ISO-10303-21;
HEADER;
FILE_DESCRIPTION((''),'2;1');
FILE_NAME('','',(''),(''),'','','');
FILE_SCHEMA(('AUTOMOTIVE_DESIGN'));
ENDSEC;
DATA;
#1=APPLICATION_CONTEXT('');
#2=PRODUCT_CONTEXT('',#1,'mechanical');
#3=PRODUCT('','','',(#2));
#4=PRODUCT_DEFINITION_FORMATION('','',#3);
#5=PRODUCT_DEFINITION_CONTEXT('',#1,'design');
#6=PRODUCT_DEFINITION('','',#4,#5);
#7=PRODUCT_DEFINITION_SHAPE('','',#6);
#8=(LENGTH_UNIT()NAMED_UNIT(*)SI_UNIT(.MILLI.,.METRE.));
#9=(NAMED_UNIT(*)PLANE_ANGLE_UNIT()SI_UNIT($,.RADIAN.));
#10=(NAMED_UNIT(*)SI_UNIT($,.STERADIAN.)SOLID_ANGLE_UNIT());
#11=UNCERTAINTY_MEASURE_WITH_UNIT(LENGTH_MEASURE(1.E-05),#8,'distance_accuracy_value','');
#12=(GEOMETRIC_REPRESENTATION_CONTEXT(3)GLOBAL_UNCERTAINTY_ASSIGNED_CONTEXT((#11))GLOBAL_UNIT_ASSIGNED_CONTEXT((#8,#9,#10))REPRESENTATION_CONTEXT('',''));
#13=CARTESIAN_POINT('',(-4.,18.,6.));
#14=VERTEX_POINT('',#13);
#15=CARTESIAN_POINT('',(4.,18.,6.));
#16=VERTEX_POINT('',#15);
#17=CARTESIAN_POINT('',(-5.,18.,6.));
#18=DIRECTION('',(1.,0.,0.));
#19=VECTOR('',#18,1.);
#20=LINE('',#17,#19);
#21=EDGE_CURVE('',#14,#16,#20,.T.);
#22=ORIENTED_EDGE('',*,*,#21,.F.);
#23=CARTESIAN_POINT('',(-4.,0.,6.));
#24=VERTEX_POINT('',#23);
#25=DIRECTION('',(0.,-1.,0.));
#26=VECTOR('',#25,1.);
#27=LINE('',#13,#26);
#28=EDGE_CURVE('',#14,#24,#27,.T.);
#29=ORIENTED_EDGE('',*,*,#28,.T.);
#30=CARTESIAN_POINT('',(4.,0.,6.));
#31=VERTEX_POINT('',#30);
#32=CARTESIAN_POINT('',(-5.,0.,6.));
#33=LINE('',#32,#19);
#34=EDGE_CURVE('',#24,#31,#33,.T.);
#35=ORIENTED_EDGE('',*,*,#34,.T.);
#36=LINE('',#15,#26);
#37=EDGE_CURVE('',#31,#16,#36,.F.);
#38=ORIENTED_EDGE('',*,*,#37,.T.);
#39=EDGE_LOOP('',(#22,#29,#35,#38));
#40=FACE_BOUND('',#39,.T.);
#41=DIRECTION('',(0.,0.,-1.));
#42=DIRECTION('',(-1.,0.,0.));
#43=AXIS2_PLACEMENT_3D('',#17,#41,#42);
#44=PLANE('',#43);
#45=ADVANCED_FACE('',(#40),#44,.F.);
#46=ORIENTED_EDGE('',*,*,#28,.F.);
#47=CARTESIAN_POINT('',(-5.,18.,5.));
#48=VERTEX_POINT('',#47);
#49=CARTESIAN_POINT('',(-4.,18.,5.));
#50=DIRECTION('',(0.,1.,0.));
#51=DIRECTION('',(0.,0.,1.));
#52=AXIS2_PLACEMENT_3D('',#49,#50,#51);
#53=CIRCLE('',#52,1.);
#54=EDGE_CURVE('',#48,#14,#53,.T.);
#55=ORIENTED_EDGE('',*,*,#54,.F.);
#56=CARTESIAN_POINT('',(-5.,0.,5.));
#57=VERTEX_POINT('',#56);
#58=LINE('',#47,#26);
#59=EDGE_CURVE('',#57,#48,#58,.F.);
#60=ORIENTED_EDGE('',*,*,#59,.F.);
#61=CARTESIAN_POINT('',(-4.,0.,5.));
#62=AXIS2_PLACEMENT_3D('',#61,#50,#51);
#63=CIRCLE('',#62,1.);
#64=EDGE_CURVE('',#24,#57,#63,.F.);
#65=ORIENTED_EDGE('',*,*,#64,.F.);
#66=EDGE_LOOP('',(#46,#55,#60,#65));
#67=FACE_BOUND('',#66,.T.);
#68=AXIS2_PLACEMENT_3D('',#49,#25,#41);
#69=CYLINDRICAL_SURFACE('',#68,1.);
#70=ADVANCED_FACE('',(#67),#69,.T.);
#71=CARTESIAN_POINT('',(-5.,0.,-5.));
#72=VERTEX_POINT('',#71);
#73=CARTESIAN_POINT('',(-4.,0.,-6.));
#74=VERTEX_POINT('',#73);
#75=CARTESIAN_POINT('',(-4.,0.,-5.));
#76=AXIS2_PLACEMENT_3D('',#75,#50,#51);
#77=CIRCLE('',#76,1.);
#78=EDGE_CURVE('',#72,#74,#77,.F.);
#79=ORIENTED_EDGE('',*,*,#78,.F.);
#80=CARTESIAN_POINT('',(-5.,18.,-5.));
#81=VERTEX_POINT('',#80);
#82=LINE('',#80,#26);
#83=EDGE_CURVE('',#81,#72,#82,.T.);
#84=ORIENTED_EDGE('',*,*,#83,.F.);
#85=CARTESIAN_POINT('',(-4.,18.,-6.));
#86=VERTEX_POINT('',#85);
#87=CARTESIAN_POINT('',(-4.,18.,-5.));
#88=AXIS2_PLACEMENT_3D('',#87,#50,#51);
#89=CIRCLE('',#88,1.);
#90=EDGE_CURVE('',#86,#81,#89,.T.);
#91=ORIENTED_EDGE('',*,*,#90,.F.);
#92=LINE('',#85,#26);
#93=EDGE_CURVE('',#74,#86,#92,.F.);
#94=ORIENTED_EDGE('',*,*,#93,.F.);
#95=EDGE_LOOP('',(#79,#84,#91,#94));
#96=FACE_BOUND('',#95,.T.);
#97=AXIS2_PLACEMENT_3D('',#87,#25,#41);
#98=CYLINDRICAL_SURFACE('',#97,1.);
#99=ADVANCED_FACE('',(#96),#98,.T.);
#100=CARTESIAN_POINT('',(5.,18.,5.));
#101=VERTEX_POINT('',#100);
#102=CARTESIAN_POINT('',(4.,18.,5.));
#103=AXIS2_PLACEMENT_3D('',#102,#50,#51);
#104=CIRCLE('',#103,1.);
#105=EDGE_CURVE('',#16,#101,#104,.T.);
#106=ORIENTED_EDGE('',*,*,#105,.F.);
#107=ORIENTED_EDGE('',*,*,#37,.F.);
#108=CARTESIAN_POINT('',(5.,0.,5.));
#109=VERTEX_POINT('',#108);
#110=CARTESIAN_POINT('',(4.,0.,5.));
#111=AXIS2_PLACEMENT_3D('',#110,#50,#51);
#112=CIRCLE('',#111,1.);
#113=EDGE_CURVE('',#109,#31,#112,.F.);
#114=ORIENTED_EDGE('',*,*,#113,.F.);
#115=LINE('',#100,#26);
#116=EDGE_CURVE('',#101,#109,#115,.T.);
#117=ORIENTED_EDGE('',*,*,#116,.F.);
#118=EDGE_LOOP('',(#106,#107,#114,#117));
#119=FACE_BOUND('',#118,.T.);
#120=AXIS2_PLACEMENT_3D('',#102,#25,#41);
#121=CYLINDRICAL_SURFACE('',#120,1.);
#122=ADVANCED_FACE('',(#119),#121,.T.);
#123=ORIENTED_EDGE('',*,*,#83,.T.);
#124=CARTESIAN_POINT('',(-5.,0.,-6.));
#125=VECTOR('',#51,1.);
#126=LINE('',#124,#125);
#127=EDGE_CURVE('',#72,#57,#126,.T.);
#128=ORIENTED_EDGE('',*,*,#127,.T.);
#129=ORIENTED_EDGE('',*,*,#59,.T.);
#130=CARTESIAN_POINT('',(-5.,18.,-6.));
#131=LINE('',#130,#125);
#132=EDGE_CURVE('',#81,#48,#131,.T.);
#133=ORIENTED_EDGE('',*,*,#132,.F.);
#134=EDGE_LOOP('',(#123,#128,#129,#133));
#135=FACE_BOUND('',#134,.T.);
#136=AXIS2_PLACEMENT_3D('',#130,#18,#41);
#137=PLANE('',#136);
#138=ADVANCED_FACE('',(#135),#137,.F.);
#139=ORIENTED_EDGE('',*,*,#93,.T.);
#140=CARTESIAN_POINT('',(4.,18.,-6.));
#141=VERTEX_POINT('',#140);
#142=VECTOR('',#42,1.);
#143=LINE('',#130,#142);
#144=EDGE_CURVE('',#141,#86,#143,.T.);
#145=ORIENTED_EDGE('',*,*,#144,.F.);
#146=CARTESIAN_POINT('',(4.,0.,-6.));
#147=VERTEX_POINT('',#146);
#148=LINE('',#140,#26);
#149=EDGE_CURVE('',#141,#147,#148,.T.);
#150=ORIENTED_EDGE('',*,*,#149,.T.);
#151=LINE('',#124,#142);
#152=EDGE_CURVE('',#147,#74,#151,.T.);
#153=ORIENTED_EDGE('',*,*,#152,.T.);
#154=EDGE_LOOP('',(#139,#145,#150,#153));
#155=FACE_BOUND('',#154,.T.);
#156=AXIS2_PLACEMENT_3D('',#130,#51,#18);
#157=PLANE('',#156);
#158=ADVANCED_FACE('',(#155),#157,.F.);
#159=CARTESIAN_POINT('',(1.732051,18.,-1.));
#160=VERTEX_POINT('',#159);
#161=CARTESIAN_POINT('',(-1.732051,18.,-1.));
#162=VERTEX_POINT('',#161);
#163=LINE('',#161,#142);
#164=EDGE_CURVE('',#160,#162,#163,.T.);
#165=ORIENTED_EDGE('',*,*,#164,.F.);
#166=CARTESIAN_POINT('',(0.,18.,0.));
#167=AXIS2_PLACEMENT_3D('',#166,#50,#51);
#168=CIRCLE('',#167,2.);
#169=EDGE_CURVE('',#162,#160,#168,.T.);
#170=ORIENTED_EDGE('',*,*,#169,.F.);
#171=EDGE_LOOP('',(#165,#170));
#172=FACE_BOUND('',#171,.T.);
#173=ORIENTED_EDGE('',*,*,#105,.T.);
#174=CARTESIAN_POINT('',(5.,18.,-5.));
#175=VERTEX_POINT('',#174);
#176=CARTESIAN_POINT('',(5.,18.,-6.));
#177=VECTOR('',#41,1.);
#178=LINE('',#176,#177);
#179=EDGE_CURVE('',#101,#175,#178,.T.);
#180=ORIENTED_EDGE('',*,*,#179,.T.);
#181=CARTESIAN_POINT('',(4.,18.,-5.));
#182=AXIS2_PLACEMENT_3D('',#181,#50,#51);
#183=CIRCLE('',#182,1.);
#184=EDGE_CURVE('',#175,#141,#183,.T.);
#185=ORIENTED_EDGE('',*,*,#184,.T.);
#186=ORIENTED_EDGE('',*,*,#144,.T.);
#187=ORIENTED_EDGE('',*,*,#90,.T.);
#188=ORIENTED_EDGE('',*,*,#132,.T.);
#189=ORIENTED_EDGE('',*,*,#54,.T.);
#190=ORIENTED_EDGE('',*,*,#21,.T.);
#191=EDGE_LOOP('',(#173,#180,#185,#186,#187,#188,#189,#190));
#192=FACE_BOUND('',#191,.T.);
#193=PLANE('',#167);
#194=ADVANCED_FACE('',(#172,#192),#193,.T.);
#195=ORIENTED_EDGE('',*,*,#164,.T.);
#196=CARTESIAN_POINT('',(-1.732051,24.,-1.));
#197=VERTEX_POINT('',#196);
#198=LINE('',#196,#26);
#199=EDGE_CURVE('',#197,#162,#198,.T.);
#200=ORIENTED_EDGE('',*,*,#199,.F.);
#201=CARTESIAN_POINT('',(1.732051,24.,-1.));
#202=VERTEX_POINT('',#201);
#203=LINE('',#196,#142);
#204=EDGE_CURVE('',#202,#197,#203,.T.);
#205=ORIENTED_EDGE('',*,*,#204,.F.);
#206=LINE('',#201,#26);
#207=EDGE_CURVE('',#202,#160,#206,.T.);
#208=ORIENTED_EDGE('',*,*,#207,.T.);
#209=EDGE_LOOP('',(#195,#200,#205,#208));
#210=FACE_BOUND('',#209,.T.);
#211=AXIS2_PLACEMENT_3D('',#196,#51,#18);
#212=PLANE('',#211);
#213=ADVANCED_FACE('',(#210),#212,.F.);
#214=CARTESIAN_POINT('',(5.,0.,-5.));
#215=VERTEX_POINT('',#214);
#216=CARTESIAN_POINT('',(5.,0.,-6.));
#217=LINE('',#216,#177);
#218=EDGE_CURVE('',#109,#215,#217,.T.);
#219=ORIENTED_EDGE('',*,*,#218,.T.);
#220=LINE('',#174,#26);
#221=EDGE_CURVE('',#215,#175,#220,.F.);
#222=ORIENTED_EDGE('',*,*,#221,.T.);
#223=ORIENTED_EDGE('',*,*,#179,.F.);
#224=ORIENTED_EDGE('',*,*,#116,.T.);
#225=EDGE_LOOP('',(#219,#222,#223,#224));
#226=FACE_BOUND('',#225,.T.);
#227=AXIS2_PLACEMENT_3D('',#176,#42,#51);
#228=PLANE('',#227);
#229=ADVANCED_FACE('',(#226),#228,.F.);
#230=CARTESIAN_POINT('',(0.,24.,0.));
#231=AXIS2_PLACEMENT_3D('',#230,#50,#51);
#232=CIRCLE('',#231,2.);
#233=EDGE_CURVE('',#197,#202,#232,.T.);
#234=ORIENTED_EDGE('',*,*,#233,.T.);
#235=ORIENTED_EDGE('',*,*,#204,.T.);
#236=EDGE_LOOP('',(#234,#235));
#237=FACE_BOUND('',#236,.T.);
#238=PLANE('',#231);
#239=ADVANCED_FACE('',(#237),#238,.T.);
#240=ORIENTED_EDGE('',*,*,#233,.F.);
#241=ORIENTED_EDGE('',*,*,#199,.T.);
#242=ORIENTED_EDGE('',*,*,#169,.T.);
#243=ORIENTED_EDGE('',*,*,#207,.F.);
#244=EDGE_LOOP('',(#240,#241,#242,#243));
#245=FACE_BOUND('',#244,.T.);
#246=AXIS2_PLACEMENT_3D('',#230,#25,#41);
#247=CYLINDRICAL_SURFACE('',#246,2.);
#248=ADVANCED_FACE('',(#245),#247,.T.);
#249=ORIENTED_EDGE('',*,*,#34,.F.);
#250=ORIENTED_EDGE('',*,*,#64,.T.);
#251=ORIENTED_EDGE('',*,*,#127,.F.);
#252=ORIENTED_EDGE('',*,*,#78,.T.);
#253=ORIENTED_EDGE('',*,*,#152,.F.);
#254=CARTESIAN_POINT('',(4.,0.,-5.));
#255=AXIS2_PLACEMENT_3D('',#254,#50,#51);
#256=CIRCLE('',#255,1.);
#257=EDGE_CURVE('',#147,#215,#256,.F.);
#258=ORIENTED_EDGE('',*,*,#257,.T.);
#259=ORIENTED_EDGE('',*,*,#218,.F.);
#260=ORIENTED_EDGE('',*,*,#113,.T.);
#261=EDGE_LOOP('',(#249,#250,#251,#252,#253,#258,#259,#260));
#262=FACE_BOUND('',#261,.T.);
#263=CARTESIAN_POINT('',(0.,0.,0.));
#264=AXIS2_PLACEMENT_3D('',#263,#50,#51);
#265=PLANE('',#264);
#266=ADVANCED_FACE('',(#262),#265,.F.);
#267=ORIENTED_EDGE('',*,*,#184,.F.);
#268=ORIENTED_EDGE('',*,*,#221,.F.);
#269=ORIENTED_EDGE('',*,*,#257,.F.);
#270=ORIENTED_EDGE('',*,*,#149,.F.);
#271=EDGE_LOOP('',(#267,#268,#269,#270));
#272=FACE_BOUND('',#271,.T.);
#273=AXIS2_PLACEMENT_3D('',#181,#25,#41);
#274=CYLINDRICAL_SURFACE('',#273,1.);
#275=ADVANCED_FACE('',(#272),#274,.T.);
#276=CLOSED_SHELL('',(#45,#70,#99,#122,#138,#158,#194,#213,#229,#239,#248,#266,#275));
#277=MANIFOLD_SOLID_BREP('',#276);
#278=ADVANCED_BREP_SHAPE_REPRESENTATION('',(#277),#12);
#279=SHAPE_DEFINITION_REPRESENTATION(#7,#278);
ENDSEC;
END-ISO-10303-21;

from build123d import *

# Parameters (mm, degrees)
CROQUIS1_W              = 10
CROQUIS1_H              = 12
SALIENTE_EXTRUIR1_DEPTH = 18
SALIENTE_EXTRUIR2_DEPTH = 6
REDONDEO1_R             = 1


with BuildPart() as part:
    # Croquis1 → Saliente-Extruir1 (new body)
    with BuildSketch(Plane(origin=(0, 0, 0), x_dir=(1, 0, 0), z_dir=(0, 1, 0))):
        Rectangle(CROQUIS1_W, CROQUIS1_H)
    extrude(amount=SALIENTE_EXTRUIR1_DEPTH)

    # Croquis2 → Saliente-Extruir2 (add)
    with BuildSketch(Plane(origin=(0, 18, 0), x_dir=(1, 0, 0), z_dir=(0, 1, 0))):
        with BuildLine():
            Line((-1.732050808, 1), (1.732050808, 1))
            ThreePointArc((1.732050808, 1), (0, -2), (-1.732050808, 1))
        make_face()
    extrude(amount=SALIENTE_EXTRUIR2_DEPTH)

    # Redondeo1
    redondeo1_edges = [part.edges().sort_by_distance(p)[0] for p in [
        (5, 9, 6),
        (-5, 9, 6),
        (-5, 9, -6),
        (5, 9, -6),
    ]]
    fillet(redondeo1_edges, radius=REDONDEO1_R)


solid = part.part
